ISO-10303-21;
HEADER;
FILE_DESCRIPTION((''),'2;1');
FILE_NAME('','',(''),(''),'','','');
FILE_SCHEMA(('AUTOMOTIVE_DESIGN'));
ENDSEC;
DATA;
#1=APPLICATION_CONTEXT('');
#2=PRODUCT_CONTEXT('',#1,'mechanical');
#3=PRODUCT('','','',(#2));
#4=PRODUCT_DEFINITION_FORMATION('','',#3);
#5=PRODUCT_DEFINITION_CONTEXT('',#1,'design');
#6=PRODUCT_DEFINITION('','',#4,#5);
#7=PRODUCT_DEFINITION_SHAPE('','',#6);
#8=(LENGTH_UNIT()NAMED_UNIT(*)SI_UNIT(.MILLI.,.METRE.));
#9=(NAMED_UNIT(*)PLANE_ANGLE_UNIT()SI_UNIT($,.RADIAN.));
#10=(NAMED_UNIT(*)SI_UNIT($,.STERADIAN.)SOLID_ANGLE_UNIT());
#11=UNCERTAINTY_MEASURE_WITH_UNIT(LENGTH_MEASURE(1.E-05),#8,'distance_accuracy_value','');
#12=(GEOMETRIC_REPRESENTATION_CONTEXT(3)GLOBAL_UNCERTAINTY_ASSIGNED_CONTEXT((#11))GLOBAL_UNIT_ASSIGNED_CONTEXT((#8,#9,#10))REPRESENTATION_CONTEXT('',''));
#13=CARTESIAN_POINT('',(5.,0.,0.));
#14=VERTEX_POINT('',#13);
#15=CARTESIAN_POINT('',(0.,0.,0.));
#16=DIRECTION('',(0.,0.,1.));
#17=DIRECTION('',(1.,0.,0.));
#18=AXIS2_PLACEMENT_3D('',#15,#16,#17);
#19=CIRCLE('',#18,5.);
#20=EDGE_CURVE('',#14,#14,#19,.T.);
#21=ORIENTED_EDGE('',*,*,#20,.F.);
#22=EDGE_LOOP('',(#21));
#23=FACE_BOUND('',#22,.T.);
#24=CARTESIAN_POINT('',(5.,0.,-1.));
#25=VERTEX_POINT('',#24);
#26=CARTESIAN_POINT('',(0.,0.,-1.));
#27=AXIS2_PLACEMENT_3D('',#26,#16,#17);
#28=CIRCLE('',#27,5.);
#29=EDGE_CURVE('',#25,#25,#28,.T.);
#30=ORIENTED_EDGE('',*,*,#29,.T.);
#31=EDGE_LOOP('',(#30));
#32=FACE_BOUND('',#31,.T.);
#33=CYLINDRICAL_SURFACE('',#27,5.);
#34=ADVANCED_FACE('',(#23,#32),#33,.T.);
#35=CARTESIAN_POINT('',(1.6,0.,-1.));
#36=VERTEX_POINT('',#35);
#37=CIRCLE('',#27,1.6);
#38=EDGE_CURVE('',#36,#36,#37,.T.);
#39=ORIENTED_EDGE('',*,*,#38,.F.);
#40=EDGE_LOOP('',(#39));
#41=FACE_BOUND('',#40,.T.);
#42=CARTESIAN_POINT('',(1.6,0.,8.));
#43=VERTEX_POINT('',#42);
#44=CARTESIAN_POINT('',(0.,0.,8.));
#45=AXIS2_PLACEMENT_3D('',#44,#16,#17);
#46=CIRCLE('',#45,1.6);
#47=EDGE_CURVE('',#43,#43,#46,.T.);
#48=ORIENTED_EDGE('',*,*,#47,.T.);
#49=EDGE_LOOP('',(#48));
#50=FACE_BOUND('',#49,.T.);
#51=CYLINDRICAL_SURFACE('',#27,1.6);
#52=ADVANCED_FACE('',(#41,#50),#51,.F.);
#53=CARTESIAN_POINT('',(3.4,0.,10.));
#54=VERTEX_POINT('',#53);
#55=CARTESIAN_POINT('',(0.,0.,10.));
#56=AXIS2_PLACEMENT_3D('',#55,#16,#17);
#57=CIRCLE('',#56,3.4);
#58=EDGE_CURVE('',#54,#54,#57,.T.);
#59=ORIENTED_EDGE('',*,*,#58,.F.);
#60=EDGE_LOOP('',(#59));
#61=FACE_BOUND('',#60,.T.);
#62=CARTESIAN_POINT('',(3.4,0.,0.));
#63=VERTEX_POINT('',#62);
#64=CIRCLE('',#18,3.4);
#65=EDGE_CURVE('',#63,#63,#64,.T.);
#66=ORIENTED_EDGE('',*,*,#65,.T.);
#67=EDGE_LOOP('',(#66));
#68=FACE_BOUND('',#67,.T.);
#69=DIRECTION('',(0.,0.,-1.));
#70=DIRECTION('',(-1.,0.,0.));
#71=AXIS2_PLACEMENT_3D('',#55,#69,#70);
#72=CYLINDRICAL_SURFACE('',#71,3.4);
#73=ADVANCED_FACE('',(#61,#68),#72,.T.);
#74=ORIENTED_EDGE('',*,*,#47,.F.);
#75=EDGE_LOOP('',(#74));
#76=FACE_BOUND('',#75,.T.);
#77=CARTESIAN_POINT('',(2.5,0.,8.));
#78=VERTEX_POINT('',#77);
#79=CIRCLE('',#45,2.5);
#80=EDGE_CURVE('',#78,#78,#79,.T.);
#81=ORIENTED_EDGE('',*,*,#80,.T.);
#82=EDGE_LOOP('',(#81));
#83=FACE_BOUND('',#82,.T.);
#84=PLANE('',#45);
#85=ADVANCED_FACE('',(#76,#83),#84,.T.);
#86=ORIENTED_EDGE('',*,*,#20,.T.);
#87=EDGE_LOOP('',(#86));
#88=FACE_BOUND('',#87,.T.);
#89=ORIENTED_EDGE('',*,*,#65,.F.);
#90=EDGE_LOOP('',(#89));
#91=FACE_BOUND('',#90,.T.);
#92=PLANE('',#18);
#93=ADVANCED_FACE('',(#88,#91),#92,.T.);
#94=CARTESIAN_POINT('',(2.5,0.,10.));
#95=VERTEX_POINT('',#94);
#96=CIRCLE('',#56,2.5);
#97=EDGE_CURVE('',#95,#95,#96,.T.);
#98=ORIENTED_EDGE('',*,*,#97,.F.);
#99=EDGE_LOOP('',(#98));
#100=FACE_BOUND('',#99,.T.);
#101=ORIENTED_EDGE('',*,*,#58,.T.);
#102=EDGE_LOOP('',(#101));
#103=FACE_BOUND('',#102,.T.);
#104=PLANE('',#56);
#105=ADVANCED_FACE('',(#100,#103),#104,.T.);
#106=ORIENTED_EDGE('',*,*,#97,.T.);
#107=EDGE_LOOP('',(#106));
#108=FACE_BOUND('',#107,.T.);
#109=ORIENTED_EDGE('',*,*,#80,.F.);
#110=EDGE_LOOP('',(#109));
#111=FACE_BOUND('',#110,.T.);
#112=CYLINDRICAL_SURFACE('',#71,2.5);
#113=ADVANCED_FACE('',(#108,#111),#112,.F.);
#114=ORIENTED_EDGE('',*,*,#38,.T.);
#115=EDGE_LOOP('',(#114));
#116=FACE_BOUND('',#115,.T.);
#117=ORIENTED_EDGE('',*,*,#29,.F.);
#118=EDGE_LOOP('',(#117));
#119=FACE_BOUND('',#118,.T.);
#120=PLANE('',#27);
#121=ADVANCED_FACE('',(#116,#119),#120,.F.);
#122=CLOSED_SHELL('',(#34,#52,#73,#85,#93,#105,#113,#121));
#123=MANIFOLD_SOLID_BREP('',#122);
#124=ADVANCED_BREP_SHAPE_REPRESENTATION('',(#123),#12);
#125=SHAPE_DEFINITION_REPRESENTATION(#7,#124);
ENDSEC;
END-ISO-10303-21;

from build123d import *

# Parameters (mm, degrees)
SKETCH1_R           = 5
SKETCH1_R_2         = 1.6
BOSS_EXTRUDE1_DEPTH = 1
SKETCH1_3_R         = 3.4
SKETCH1_3_R_2       = 2.5
BOSS_EXTRUDE2_DEPTH = 10
SKETCH1_4_R         = 2.5
SKETCH1_4_R_2       = 1.6
BOSS_EXTRUDE3_DEPTH = 8


with BuildPart() as part:
    # Sketch1 → Boss-Extrude1 (new body)
    with BuildSketch(Plane.XY):
        Circle(SKETCH1_R)
        Circle(SKETCH1_R_2, mode=Mode.SUBTRACT)
    extrude(amount=-BOSS_EXTRUDE1_DEPTH)

    # Sketch1<3> → Boss-Extrude2 (add)
    with BuildSketch(Plane.XY):
        Circle(SKETCH1_3_R)
        Circle(SKETCH1_3_R_2, mode=Mode.SUBTRACT)
    extrude(amount=BOSS_EXTRUDE2_DEPTH)

    # Sketch1<4> → Boss-Extrude3 (add)
    with BuildSketch(Plane.XY):
        Circle(SKETCH1_4_R)
        Circle(SKETCH1_4_R_2, mode=Mode.SUBTRACT)
    extrude(amount=BOSS_EXTRUDE3_DEPTH)


solid = part.part
